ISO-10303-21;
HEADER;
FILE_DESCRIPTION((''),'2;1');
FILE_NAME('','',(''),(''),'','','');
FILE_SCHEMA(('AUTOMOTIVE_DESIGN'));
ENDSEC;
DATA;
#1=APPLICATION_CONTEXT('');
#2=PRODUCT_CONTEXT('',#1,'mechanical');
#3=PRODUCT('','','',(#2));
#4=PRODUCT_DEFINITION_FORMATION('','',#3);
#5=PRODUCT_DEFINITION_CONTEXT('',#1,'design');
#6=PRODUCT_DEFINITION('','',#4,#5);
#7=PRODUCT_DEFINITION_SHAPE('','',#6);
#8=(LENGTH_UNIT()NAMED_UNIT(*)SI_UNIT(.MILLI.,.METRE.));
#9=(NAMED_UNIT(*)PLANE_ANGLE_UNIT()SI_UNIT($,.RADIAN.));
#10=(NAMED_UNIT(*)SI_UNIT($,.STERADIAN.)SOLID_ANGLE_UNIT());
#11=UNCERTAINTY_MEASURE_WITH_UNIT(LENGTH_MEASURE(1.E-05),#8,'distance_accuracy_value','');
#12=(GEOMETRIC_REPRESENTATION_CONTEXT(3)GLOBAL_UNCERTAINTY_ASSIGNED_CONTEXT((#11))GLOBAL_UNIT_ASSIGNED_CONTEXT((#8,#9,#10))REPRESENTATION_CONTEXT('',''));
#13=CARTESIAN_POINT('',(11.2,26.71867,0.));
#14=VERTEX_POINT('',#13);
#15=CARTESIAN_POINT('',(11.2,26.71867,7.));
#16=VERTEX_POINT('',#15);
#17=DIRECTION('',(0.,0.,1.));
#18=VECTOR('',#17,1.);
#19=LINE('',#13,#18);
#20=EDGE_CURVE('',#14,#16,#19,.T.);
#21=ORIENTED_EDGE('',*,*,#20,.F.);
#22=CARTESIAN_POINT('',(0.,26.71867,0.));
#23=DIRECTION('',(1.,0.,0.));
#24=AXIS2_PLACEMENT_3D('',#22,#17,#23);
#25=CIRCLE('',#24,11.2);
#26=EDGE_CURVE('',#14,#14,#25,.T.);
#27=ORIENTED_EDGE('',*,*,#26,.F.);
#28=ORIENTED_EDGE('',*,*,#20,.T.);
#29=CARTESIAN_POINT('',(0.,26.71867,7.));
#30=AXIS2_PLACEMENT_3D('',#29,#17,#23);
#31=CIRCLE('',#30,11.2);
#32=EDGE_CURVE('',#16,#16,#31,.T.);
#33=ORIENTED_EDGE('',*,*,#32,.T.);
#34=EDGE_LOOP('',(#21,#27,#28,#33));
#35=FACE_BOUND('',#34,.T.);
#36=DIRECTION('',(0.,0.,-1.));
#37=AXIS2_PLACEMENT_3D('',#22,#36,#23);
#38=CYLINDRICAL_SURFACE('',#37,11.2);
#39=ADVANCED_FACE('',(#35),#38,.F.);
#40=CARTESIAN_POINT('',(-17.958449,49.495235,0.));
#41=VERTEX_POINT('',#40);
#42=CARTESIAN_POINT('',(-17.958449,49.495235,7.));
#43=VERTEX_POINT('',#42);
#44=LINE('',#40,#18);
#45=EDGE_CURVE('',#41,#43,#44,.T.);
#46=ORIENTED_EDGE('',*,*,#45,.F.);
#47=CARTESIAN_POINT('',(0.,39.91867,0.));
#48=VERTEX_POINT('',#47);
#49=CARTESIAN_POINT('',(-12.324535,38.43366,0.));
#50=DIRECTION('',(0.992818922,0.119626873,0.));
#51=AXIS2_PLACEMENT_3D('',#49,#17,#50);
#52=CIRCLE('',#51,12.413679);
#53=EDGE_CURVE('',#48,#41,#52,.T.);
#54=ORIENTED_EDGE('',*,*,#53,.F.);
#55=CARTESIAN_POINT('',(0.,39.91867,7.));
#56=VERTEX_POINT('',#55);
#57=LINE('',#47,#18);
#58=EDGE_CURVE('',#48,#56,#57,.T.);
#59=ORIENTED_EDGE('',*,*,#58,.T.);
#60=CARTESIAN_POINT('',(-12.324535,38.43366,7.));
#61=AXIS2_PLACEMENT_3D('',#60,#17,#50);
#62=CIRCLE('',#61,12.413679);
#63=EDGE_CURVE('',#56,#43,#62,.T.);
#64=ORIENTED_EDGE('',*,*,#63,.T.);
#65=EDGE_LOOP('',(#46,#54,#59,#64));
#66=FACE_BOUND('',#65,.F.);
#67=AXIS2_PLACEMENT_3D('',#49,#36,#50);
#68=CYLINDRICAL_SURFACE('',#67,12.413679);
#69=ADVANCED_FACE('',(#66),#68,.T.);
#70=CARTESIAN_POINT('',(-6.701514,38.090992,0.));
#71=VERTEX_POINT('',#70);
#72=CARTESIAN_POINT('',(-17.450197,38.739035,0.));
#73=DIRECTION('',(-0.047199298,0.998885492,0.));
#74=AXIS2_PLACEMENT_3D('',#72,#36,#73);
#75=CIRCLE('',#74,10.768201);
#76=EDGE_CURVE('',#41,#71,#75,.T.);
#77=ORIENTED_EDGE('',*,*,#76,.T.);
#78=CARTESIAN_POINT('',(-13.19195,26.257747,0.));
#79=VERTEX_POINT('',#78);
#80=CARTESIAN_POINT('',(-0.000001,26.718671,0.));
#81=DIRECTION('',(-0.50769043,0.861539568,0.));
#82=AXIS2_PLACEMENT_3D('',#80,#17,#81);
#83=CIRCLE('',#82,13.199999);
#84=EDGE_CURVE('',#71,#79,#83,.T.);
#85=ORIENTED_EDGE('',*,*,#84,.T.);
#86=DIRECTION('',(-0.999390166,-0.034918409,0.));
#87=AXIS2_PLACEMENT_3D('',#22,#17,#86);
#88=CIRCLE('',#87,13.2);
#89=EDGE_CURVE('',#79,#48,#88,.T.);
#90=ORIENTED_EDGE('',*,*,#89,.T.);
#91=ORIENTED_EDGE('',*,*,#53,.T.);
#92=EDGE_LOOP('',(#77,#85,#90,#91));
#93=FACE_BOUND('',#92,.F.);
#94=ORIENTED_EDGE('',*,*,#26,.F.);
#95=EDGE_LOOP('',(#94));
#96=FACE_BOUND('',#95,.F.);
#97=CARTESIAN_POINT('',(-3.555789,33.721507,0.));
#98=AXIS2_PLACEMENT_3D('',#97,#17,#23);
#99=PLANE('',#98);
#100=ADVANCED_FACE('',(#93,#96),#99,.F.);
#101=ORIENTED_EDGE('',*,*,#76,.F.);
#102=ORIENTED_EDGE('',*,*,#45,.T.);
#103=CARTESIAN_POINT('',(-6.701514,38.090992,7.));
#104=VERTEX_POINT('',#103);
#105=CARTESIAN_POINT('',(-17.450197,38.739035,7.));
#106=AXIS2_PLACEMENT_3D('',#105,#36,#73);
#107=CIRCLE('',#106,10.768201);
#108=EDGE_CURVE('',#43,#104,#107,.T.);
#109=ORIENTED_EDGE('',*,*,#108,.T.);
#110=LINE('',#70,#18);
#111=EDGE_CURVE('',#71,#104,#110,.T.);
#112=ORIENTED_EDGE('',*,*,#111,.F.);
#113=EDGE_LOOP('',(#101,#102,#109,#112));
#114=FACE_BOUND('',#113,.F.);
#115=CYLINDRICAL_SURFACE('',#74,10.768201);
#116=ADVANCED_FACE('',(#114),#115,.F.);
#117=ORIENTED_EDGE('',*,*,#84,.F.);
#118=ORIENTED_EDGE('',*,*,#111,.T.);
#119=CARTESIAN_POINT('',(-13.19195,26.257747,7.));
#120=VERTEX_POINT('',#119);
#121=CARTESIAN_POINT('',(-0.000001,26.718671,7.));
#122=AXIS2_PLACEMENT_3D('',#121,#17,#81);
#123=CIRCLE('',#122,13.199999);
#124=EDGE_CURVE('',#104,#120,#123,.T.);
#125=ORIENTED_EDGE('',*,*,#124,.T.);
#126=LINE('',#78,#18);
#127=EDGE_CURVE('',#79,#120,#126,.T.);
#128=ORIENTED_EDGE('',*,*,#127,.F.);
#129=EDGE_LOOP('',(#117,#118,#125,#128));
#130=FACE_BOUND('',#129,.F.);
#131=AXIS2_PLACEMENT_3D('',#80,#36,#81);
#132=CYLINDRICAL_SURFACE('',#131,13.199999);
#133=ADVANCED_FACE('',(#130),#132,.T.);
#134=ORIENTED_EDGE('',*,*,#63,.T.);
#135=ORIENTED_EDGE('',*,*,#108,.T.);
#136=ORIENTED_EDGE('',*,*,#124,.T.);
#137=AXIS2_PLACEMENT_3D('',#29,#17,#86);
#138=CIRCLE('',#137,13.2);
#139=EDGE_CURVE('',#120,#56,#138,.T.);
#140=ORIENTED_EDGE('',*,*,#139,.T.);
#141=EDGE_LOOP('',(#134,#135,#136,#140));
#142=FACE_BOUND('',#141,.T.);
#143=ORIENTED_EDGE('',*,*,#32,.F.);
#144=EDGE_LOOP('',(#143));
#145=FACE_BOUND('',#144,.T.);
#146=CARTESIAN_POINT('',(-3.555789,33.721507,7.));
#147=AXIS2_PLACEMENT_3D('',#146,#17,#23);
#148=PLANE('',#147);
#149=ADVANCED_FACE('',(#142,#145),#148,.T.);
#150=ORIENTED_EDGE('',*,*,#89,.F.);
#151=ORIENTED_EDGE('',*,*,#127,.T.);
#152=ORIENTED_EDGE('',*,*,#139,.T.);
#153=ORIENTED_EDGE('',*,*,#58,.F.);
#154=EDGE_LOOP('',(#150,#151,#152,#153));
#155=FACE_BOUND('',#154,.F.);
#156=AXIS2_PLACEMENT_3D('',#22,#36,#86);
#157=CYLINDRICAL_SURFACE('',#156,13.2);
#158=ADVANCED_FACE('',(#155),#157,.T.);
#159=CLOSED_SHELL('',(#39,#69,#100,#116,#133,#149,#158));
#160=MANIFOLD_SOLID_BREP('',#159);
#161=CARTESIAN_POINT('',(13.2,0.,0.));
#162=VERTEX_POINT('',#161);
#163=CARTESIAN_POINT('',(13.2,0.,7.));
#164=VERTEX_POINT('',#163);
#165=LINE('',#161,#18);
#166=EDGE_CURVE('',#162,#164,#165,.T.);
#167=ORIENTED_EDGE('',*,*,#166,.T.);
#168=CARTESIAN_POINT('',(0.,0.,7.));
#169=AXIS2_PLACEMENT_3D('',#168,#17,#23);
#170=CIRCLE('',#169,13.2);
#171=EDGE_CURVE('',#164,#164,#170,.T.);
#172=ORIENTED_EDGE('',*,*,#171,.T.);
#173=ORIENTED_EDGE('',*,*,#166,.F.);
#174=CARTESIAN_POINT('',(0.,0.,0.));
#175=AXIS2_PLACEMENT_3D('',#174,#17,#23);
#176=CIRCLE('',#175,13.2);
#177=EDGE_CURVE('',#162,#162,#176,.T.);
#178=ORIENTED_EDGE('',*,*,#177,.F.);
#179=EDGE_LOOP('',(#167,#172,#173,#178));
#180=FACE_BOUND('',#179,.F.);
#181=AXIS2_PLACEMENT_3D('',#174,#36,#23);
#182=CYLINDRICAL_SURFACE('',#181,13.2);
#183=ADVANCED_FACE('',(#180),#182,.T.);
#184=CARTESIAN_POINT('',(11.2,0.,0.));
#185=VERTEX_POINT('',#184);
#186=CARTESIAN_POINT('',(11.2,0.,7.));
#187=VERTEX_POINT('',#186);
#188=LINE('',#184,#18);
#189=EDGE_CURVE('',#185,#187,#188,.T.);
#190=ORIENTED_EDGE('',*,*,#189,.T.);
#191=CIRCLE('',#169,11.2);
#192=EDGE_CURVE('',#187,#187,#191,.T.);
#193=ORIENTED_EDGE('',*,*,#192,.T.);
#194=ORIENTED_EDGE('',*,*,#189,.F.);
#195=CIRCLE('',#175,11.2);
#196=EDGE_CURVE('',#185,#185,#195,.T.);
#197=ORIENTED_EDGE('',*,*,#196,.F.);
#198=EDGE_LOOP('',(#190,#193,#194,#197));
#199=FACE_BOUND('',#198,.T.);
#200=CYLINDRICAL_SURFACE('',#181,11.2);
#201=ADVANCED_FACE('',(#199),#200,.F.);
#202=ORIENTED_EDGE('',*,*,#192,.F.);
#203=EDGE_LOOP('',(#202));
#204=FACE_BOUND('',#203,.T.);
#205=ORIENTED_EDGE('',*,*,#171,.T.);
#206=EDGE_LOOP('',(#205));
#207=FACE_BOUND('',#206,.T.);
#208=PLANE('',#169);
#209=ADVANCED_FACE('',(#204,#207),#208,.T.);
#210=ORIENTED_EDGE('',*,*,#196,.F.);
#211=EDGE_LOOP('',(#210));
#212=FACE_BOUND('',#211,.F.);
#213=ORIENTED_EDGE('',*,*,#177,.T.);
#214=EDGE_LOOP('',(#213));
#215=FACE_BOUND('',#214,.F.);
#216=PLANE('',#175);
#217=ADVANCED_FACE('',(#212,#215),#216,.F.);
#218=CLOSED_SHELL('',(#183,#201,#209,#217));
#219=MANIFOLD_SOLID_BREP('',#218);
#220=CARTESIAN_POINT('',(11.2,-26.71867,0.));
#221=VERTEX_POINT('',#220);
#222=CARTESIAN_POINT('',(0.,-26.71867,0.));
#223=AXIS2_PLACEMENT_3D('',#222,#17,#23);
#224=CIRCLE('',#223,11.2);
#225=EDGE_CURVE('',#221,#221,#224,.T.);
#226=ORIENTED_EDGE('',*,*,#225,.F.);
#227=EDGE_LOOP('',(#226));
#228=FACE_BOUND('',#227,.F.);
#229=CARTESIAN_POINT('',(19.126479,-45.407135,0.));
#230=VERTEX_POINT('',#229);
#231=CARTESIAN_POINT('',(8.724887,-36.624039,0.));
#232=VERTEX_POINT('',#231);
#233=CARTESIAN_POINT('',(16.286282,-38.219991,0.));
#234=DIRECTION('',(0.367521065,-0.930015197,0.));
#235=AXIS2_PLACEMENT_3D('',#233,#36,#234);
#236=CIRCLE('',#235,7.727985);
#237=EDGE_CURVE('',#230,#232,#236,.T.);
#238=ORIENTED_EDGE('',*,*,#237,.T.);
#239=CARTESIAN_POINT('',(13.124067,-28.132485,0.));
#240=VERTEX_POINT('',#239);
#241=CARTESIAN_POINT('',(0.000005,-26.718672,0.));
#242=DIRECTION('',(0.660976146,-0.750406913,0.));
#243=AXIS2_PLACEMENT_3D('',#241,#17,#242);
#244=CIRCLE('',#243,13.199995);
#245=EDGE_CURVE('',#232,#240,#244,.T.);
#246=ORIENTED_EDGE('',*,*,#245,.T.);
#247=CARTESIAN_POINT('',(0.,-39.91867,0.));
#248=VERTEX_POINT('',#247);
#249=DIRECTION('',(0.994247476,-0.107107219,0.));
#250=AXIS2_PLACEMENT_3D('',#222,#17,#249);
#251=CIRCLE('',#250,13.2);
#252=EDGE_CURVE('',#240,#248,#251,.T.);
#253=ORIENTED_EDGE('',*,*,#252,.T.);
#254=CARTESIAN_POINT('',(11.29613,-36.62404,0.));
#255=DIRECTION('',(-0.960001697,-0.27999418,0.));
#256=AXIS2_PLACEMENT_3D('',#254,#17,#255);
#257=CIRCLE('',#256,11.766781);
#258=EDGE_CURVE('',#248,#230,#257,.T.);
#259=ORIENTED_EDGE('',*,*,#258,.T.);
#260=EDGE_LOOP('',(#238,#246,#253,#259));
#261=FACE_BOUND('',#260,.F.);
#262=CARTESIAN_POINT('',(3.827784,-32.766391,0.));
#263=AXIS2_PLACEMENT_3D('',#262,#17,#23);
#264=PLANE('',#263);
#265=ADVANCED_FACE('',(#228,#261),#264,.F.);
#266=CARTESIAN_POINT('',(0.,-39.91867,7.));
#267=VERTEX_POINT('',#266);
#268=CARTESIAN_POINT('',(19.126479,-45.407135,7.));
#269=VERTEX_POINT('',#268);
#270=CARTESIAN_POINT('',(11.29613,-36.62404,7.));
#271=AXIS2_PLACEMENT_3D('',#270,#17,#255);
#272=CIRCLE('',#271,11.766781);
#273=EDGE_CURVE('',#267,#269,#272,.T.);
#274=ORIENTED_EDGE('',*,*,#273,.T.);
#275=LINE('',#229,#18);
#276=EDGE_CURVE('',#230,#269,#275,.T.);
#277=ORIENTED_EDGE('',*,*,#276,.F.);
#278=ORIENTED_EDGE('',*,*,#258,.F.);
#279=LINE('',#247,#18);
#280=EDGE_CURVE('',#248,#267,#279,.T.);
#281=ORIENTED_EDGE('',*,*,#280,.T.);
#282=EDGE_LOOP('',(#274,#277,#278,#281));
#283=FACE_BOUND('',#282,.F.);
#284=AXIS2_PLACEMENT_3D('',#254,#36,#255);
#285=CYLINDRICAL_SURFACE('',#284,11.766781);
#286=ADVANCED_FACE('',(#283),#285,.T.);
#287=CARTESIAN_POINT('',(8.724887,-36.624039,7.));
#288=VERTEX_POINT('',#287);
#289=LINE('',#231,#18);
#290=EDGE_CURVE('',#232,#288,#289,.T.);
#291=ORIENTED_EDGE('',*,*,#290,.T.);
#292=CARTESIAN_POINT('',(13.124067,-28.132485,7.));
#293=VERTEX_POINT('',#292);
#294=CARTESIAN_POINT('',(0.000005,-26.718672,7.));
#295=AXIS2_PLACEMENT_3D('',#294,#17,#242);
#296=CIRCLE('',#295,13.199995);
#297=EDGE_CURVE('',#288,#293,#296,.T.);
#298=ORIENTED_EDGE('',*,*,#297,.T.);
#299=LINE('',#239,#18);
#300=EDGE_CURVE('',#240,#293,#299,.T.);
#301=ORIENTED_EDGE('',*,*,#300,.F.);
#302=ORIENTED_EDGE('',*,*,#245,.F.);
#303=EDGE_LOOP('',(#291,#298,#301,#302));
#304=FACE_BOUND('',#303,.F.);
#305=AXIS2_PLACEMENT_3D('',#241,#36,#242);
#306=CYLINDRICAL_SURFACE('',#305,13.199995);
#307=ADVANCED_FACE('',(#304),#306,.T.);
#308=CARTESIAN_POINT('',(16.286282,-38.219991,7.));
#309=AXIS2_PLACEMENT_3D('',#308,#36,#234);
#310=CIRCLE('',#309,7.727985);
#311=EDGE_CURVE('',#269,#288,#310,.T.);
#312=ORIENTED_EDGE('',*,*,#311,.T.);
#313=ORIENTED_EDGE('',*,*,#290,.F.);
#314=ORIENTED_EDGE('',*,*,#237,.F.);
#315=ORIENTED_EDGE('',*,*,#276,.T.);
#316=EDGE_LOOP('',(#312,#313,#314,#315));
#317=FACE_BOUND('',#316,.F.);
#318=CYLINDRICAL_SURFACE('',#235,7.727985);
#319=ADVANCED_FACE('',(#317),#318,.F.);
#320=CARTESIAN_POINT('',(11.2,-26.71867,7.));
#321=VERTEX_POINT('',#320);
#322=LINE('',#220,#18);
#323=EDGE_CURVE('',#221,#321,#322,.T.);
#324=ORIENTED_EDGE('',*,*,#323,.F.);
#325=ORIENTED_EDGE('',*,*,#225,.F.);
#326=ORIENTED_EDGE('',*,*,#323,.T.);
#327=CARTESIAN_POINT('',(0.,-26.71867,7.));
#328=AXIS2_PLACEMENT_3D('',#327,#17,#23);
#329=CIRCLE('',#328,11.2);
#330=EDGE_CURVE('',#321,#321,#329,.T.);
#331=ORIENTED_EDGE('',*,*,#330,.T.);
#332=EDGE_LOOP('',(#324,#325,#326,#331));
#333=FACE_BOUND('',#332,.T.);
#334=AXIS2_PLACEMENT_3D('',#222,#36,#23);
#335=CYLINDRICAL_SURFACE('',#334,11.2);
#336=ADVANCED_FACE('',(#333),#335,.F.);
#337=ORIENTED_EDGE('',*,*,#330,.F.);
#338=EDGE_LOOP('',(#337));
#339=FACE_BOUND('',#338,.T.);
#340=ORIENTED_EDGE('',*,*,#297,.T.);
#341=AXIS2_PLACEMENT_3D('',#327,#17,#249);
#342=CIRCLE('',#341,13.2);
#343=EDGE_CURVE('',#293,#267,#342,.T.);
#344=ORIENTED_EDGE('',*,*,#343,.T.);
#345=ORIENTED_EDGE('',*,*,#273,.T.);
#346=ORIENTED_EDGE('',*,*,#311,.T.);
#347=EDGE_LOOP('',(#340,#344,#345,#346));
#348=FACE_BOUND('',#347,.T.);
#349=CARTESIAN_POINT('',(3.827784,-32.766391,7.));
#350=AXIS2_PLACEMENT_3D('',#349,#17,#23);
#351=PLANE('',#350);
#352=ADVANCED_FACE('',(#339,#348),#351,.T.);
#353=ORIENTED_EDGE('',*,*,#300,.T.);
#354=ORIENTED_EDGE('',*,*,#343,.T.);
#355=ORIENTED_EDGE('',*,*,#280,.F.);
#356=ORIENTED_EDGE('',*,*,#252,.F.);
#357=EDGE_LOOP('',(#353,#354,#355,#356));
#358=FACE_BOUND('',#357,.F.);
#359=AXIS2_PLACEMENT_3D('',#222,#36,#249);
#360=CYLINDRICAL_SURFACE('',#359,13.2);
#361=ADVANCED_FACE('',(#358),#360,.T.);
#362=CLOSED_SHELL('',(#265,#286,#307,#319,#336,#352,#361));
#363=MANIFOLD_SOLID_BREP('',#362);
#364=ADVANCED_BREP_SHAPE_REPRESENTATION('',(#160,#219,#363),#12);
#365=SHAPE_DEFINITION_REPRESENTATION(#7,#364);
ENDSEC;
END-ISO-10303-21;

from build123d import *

# Parameters (mm, degrees)
F0_R     = 11.2
F1_DEPTH = 7


with BuildPart() as f1:
    # F0 (on Top) → F1 (new body)
    with BuildSketch(Plane.XY):
        with BuildLine():
            ThreePointArc((-13.2, 0), (0, -13.2), (13.2, 0))
            ThreePointArc((13.2, 0), (0, 13.2), (-13.2, 0))
        make_face()
        Circle(F0_R, mode=Mode.SUBTRACT)
        with BuildLine():
            ThreePointArc((-6.701514, 38.090992), (-11.573414, 33.06659), (-13.19195, 26.257747))
            ThreePointArc((-13.19195, 26.257747), (9.495372, 17.549269), (0, 39.91867))
            ThreePointArc((0, 39.91867), (-6.483409, 49.387229), (-17.958449, 49.495235))
            ThreePointArc((-17.958449, 49.495235), (-9.786595, 46.303647), (-6.701514, 38.090992))
        make_face()
        with Locations((0, 26.71867)):
            Circle(F0_R, mode=Mode.SUBTRACT)
        with BuildLine():
            ThreePointArc((8.724887, -36.624039), (11.72053, -32.79067), (13.124067, -28.132485))
            ThreePointArc((13.124067, -28.132485), (-8.819797, -16.897713), (0, -39.91867))
            ThreePointArc((0, -39.91867), (8.05056, -47.934363), (19.126479, -45.407135))
            ThreePointArc((19.126479, -45.407135), (11.30049, -44.124535), (8.724887, -36.624039))
        make_face()
        with Locations((0, -26.71867)):
            Circle(F0_R, mode=Mode.SUBTRACT)
    extrude(amount=F1_DEPTH)


solid = f1.part
